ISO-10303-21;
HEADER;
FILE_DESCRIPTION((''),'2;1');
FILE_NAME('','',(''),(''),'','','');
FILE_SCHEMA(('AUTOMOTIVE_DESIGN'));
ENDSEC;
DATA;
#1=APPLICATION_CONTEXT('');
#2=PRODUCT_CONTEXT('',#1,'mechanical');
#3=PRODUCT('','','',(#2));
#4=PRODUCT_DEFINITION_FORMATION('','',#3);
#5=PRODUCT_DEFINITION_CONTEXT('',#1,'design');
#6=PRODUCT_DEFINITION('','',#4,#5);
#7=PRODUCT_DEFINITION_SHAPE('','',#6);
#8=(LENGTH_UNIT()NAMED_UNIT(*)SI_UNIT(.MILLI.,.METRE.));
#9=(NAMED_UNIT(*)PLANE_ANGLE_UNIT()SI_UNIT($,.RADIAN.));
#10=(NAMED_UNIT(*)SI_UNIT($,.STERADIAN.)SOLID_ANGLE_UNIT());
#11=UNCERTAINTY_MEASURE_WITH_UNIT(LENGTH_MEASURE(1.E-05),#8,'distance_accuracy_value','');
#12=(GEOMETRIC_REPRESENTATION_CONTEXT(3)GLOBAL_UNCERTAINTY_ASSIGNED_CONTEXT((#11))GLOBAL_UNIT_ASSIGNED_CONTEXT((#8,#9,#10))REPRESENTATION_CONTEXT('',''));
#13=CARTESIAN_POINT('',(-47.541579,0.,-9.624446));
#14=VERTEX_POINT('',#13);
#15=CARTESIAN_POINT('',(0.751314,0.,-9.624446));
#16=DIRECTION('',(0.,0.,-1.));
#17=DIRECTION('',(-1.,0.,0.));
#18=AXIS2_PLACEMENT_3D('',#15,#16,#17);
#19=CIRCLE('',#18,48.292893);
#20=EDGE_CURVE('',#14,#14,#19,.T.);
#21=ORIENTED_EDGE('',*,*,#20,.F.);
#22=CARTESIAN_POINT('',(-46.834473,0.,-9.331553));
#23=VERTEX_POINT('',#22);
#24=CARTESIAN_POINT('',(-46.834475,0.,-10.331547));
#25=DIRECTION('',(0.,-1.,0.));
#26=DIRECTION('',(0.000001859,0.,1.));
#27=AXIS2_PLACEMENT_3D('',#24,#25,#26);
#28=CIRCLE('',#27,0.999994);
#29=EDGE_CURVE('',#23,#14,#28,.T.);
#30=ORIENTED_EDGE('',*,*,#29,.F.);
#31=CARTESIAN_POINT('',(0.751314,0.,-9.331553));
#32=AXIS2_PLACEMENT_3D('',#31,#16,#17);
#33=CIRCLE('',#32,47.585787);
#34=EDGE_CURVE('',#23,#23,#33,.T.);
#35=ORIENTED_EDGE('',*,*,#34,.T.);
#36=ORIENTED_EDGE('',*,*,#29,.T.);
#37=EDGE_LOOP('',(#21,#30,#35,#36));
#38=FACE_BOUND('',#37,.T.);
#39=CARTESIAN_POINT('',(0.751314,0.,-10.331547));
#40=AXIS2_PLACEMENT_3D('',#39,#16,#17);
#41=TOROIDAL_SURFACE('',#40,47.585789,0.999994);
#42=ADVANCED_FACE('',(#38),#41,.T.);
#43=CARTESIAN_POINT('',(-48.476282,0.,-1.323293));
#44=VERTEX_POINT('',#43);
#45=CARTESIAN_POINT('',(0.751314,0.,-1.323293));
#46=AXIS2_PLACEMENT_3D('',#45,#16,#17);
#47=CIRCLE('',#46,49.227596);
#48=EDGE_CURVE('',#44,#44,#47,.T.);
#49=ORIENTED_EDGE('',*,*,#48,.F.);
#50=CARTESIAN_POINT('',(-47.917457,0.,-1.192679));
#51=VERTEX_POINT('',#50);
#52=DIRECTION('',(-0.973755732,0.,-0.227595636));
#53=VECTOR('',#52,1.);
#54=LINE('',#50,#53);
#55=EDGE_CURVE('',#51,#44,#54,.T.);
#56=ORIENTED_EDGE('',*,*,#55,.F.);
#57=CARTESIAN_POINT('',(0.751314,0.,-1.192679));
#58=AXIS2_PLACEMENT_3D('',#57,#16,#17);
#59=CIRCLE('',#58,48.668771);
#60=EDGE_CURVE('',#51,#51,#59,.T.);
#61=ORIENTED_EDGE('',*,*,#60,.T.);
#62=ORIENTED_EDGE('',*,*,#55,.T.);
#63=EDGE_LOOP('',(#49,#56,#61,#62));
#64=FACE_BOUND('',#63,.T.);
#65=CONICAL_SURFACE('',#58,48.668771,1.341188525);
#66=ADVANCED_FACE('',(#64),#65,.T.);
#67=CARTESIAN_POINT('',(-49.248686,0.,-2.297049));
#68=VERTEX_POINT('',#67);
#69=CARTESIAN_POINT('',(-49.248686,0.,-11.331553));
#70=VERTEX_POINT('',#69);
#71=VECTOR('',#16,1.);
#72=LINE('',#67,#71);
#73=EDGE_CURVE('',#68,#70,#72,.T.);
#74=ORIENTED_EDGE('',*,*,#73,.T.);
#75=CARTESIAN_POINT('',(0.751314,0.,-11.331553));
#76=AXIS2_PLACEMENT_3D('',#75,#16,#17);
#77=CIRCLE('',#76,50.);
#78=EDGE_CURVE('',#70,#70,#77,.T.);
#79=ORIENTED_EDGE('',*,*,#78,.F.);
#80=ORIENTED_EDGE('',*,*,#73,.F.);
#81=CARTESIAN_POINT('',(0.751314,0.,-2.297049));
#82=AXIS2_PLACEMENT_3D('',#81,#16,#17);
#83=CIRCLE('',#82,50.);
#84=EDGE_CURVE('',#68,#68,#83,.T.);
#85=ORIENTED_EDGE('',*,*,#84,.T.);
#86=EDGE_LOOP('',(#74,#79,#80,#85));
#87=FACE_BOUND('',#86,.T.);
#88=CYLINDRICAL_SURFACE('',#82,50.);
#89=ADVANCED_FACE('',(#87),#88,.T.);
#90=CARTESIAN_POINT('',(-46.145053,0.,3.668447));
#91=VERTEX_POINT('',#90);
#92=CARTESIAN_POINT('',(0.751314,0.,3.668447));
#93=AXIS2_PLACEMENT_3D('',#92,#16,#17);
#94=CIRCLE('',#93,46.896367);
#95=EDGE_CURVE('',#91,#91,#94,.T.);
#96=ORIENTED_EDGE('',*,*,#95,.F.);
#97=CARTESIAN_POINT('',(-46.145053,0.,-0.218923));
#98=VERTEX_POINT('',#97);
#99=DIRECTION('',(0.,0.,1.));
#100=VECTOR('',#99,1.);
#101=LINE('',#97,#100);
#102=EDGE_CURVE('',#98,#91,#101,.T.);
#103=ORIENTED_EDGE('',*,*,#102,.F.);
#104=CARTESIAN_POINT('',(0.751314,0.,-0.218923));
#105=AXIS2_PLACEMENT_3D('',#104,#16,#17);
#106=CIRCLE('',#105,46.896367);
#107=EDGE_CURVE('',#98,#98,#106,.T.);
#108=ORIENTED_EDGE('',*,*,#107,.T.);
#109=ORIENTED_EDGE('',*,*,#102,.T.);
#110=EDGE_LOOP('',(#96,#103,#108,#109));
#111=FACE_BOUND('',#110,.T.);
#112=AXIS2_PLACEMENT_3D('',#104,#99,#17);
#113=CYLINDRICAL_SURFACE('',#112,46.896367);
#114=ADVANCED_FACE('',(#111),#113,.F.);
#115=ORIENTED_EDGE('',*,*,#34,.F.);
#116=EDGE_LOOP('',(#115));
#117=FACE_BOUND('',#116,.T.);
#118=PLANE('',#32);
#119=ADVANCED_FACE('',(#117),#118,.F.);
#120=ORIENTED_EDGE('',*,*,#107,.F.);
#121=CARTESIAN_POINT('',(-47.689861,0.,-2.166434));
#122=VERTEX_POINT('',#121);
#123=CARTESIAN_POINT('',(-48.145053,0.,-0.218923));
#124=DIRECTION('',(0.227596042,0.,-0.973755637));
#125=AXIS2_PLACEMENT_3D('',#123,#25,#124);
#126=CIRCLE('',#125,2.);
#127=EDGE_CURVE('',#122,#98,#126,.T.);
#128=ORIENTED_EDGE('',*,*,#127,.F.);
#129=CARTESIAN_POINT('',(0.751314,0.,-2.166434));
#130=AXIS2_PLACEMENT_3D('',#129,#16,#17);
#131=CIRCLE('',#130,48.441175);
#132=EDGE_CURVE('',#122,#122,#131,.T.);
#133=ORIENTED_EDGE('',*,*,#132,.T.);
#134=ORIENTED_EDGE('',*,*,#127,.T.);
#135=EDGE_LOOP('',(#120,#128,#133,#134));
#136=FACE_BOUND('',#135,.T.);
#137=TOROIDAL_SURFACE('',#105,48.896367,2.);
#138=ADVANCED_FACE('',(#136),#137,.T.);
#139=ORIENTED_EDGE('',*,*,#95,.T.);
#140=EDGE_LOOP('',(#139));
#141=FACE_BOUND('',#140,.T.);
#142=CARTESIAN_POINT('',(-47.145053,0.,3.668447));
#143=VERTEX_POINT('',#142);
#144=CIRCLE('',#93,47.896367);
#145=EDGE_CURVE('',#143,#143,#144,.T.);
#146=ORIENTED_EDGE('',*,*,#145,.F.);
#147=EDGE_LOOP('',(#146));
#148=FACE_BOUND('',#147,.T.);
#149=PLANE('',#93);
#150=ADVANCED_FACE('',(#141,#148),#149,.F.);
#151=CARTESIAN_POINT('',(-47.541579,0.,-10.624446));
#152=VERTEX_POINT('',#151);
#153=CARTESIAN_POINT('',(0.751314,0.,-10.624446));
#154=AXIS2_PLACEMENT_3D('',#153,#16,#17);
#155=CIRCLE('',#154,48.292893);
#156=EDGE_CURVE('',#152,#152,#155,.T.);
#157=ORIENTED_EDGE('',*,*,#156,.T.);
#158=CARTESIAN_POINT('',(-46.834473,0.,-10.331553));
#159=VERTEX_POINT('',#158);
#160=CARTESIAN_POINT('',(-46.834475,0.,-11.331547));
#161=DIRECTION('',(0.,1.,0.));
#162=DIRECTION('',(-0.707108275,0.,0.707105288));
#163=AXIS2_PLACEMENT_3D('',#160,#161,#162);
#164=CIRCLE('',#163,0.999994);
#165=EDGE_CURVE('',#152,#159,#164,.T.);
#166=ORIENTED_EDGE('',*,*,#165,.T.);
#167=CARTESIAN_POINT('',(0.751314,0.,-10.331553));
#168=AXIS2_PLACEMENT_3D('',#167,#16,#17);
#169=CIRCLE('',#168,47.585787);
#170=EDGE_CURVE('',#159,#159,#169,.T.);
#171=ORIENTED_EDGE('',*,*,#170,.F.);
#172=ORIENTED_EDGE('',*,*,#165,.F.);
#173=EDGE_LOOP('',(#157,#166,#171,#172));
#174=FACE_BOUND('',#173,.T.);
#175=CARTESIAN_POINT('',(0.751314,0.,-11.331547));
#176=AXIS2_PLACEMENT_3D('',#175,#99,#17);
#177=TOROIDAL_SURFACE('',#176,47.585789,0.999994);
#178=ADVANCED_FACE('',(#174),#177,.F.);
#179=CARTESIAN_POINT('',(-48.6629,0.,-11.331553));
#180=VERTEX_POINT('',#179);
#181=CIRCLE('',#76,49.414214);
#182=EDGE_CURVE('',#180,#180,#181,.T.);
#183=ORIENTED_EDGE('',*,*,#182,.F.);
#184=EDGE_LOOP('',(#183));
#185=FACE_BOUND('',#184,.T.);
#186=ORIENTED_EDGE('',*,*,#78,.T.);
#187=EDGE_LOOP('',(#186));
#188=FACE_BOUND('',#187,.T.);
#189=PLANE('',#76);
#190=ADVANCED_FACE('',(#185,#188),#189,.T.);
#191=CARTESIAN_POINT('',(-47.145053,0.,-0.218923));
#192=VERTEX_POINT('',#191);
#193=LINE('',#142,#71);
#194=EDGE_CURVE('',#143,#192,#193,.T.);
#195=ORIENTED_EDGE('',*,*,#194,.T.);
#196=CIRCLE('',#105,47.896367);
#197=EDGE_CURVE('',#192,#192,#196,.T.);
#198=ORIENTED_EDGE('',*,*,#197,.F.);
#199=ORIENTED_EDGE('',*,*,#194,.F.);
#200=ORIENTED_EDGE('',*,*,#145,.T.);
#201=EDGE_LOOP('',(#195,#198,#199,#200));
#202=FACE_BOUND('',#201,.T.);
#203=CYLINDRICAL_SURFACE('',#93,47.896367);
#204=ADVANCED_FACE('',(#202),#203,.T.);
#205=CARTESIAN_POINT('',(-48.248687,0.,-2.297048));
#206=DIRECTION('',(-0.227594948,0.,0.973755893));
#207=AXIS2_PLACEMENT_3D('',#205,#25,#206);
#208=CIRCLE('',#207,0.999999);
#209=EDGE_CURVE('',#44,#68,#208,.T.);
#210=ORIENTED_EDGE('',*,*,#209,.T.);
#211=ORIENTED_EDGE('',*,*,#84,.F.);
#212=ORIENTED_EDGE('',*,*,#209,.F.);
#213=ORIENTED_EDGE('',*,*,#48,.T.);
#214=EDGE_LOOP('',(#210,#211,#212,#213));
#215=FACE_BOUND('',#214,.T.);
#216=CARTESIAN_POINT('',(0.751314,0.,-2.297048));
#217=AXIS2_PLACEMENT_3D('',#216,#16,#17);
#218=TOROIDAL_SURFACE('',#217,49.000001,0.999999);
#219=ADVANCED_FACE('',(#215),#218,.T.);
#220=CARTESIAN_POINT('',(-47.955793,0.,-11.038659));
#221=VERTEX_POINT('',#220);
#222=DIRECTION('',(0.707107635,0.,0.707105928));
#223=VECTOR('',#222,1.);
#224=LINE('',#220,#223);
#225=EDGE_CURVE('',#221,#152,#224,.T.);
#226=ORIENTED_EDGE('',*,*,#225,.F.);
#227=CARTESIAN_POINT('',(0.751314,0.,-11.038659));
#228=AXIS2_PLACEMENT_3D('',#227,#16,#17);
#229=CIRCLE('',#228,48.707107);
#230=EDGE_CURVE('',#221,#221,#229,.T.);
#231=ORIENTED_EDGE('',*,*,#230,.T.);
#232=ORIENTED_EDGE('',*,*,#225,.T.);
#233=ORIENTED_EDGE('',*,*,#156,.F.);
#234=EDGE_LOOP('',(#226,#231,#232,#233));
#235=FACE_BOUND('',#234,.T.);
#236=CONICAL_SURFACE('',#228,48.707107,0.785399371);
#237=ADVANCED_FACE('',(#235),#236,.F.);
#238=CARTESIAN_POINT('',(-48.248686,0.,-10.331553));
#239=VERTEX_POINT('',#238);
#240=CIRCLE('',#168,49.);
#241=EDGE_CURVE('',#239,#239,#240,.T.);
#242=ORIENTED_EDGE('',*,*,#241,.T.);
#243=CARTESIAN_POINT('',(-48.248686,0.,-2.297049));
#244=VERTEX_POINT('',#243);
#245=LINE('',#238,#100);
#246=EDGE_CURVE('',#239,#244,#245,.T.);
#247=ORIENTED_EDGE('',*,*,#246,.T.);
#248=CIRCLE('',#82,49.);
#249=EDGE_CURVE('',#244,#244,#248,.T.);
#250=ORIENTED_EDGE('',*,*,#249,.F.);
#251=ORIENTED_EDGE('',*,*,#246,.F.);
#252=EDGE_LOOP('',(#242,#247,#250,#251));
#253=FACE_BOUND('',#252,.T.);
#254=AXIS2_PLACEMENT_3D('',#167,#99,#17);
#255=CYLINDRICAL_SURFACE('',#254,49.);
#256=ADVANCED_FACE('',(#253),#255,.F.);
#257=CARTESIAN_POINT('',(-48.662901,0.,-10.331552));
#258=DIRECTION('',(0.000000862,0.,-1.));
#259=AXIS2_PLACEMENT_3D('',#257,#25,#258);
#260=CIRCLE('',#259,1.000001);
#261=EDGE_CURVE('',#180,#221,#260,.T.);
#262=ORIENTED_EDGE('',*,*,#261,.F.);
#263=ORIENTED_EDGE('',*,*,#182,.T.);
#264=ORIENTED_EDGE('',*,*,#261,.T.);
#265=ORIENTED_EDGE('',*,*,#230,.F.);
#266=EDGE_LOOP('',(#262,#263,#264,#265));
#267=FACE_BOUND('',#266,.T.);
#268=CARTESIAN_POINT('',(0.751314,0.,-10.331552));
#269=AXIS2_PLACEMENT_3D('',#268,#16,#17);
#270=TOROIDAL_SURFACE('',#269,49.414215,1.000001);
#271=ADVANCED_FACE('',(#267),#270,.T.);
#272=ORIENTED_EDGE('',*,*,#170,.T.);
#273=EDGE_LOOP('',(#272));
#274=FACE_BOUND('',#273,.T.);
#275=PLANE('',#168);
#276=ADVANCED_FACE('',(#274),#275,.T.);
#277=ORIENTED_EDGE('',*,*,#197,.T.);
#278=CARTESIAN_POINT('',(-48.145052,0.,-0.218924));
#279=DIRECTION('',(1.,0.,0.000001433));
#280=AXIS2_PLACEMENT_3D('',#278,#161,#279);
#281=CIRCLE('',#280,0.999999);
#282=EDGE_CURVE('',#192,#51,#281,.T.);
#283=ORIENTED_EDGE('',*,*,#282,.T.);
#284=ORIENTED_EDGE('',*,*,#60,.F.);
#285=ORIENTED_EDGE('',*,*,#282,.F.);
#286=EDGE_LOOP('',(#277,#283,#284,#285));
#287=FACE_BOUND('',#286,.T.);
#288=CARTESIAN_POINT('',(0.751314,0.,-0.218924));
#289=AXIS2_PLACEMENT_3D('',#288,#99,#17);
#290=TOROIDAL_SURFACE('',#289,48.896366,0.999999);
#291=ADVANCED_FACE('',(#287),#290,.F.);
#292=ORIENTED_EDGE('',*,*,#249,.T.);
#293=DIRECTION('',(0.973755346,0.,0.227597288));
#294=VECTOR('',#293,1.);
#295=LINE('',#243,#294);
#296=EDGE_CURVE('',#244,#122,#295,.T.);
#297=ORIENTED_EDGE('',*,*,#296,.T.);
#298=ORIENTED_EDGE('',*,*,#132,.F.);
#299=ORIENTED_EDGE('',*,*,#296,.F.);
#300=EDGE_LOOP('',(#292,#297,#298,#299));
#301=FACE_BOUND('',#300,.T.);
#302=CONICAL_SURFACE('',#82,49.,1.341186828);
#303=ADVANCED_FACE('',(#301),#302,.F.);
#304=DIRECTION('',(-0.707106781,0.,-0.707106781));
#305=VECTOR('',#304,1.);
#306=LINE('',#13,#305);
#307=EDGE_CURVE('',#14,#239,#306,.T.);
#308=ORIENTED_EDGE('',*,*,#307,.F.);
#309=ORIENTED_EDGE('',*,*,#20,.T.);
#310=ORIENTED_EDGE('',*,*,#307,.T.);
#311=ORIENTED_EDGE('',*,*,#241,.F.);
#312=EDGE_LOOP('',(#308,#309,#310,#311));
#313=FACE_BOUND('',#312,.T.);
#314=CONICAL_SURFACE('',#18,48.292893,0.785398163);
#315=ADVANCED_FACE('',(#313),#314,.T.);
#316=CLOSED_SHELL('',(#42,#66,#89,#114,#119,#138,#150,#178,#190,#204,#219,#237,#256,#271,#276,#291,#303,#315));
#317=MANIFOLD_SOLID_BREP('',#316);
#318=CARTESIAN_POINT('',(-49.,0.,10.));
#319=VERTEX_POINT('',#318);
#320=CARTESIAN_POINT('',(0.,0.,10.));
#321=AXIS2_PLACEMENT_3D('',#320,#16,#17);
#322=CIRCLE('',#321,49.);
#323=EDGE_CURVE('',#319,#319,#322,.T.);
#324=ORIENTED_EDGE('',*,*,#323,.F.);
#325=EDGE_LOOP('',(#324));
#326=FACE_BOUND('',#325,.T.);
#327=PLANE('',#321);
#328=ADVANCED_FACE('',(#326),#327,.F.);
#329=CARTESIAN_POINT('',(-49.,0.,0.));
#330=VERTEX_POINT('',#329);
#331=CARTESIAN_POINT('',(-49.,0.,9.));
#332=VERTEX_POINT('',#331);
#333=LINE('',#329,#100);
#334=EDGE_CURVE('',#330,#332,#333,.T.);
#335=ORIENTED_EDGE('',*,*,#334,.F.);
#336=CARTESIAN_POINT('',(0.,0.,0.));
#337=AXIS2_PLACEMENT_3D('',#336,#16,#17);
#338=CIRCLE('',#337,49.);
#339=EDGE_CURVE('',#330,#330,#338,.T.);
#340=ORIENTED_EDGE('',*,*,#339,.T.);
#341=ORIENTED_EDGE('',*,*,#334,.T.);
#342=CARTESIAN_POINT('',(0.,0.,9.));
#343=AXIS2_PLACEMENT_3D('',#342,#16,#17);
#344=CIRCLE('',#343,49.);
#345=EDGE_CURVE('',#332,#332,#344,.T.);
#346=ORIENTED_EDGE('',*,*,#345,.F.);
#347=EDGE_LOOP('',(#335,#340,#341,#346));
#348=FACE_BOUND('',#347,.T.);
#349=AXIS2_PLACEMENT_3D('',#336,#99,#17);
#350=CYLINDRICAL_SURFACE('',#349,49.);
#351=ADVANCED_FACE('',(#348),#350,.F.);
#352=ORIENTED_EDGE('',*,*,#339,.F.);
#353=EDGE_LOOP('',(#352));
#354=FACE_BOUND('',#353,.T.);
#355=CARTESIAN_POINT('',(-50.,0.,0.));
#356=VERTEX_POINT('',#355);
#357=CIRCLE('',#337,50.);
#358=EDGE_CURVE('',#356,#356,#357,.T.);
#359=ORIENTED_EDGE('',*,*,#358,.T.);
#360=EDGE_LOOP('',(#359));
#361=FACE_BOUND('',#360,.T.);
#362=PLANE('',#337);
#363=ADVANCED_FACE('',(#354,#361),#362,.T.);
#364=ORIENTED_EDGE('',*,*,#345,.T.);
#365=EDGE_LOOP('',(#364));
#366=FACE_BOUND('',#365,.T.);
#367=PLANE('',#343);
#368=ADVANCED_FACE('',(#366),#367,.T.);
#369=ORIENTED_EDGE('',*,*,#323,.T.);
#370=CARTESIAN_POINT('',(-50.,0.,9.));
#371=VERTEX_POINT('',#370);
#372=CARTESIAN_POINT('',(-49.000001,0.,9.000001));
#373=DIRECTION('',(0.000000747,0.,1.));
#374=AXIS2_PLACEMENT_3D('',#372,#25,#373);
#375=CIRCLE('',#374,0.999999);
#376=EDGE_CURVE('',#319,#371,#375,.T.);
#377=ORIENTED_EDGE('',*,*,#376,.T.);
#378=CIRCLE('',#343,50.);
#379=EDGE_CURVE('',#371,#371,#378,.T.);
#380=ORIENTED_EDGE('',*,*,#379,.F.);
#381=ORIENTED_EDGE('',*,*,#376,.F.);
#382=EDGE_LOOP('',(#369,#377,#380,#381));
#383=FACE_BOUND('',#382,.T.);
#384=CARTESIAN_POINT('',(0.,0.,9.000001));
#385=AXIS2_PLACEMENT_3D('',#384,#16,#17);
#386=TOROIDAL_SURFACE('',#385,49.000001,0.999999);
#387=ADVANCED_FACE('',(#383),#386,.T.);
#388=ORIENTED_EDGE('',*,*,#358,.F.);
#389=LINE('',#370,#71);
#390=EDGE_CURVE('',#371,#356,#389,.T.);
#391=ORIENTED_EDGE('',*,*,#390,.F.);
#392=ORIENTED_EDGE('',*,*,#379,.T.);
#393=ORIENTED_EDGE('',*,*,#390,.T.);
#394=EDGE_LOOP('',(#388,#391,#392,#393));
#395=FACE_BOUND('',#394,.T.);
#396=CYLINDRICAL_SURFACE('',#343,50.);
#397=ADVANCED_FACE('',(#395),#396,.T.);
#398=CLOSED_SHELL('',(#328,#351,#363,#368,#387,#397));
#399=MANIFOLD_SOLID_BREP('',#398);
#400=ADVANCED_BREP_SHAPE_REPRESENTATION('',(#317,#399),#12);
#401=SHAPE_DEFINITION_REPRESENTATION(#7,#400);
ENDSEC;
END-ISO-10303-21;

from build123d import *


with BuildPart() as f2:
    # F0 (on Front) → F2 (revolve)
    with BuildSketch(Plane.XZ):
        with BuildLine():
            Line((-50, 9), (-50, 0))
            Line((-50, 0), (-49, 0))
            Line((-49, 0), (-49, 9))
            Line((-49, 9), (0, 9))
            Line((0, 9), (0, 10))
            Line((0, 10), (-49, 10))
            ThreePointArc((-49, 10), (-49.707107, 9.707107), (-50, 9))
        make_face()
    revolve(axis=Axis((0, 0, 9.5), (0, 0, -1)))


with BuildPart() as f3:
    # F1 (on Front) → F3 (revolve)
    with BuildSketch(Plane.XZ):
        with BuildLine():
            Line((-46.145053, -0.218923), (-46.145053, 3.668447))
            Line((-46.145053, 3.668447), (-47.145053, 3.668447))
            Line((-47.145053, 3.668447), (-47.145053, -0.218923))
            ThreePointArc((-47.145053, -0.218923), (-47.3616, -0.840375), (-47.917457, -1.192679))
            Line((-47.917457, -1.192679), (-48.476282, -1.323293))
            ThreePointArc((-48.476282, -1.323293), (-49.032139, -1.675597), (-49.248686, -2.297049))
            Line((-49.248686, -2.297049), (-49.248686, -11.331553))
            Line((-49.248686, -11.331553), (-48.6629, -11.331553))
            ThreePointArc((-48.6629, -11.331553), (-48.280216, -11.255432), (-47.955793, -11.038659))
            Line((-47.955793, -11.038659), (-47.541579, -10.624446))
            ThreePointArc((-47.541579, -10.624446), (-47.217156, -10.407673), (-46.834473, -10.331553))
            Line((-46.834473, -10.331553), (0.751314, -10.331553))
            Line((0.751314, -10.331553), (0.751314, -9.331553))
            Line((0.751314, -9.331553), (-46.834473, -9.331553))
            ThreePointArc((-46.834473, -9.331553), (-47.217156, -9.407673), (-47.541579, -9.624446))
            Line((-47.541579, -9.624446), (-48.248686, -10.331553))
            Line((-48.248686, -10.331553), (-48.248686, -2.297049))
            Line((-48.248686, -2.297049), (-47.689861, -2.166434))
            ThreePointArc((-47.689861, -2.166434), (-46.578148, -1.461826), (-46.145053, -0.218923))
        make_face()
    revolve(axis=Axis((0.751314, 0, -9.831553), (0, 0, -1)))


solid = Compound([f2.part, f3.part])
